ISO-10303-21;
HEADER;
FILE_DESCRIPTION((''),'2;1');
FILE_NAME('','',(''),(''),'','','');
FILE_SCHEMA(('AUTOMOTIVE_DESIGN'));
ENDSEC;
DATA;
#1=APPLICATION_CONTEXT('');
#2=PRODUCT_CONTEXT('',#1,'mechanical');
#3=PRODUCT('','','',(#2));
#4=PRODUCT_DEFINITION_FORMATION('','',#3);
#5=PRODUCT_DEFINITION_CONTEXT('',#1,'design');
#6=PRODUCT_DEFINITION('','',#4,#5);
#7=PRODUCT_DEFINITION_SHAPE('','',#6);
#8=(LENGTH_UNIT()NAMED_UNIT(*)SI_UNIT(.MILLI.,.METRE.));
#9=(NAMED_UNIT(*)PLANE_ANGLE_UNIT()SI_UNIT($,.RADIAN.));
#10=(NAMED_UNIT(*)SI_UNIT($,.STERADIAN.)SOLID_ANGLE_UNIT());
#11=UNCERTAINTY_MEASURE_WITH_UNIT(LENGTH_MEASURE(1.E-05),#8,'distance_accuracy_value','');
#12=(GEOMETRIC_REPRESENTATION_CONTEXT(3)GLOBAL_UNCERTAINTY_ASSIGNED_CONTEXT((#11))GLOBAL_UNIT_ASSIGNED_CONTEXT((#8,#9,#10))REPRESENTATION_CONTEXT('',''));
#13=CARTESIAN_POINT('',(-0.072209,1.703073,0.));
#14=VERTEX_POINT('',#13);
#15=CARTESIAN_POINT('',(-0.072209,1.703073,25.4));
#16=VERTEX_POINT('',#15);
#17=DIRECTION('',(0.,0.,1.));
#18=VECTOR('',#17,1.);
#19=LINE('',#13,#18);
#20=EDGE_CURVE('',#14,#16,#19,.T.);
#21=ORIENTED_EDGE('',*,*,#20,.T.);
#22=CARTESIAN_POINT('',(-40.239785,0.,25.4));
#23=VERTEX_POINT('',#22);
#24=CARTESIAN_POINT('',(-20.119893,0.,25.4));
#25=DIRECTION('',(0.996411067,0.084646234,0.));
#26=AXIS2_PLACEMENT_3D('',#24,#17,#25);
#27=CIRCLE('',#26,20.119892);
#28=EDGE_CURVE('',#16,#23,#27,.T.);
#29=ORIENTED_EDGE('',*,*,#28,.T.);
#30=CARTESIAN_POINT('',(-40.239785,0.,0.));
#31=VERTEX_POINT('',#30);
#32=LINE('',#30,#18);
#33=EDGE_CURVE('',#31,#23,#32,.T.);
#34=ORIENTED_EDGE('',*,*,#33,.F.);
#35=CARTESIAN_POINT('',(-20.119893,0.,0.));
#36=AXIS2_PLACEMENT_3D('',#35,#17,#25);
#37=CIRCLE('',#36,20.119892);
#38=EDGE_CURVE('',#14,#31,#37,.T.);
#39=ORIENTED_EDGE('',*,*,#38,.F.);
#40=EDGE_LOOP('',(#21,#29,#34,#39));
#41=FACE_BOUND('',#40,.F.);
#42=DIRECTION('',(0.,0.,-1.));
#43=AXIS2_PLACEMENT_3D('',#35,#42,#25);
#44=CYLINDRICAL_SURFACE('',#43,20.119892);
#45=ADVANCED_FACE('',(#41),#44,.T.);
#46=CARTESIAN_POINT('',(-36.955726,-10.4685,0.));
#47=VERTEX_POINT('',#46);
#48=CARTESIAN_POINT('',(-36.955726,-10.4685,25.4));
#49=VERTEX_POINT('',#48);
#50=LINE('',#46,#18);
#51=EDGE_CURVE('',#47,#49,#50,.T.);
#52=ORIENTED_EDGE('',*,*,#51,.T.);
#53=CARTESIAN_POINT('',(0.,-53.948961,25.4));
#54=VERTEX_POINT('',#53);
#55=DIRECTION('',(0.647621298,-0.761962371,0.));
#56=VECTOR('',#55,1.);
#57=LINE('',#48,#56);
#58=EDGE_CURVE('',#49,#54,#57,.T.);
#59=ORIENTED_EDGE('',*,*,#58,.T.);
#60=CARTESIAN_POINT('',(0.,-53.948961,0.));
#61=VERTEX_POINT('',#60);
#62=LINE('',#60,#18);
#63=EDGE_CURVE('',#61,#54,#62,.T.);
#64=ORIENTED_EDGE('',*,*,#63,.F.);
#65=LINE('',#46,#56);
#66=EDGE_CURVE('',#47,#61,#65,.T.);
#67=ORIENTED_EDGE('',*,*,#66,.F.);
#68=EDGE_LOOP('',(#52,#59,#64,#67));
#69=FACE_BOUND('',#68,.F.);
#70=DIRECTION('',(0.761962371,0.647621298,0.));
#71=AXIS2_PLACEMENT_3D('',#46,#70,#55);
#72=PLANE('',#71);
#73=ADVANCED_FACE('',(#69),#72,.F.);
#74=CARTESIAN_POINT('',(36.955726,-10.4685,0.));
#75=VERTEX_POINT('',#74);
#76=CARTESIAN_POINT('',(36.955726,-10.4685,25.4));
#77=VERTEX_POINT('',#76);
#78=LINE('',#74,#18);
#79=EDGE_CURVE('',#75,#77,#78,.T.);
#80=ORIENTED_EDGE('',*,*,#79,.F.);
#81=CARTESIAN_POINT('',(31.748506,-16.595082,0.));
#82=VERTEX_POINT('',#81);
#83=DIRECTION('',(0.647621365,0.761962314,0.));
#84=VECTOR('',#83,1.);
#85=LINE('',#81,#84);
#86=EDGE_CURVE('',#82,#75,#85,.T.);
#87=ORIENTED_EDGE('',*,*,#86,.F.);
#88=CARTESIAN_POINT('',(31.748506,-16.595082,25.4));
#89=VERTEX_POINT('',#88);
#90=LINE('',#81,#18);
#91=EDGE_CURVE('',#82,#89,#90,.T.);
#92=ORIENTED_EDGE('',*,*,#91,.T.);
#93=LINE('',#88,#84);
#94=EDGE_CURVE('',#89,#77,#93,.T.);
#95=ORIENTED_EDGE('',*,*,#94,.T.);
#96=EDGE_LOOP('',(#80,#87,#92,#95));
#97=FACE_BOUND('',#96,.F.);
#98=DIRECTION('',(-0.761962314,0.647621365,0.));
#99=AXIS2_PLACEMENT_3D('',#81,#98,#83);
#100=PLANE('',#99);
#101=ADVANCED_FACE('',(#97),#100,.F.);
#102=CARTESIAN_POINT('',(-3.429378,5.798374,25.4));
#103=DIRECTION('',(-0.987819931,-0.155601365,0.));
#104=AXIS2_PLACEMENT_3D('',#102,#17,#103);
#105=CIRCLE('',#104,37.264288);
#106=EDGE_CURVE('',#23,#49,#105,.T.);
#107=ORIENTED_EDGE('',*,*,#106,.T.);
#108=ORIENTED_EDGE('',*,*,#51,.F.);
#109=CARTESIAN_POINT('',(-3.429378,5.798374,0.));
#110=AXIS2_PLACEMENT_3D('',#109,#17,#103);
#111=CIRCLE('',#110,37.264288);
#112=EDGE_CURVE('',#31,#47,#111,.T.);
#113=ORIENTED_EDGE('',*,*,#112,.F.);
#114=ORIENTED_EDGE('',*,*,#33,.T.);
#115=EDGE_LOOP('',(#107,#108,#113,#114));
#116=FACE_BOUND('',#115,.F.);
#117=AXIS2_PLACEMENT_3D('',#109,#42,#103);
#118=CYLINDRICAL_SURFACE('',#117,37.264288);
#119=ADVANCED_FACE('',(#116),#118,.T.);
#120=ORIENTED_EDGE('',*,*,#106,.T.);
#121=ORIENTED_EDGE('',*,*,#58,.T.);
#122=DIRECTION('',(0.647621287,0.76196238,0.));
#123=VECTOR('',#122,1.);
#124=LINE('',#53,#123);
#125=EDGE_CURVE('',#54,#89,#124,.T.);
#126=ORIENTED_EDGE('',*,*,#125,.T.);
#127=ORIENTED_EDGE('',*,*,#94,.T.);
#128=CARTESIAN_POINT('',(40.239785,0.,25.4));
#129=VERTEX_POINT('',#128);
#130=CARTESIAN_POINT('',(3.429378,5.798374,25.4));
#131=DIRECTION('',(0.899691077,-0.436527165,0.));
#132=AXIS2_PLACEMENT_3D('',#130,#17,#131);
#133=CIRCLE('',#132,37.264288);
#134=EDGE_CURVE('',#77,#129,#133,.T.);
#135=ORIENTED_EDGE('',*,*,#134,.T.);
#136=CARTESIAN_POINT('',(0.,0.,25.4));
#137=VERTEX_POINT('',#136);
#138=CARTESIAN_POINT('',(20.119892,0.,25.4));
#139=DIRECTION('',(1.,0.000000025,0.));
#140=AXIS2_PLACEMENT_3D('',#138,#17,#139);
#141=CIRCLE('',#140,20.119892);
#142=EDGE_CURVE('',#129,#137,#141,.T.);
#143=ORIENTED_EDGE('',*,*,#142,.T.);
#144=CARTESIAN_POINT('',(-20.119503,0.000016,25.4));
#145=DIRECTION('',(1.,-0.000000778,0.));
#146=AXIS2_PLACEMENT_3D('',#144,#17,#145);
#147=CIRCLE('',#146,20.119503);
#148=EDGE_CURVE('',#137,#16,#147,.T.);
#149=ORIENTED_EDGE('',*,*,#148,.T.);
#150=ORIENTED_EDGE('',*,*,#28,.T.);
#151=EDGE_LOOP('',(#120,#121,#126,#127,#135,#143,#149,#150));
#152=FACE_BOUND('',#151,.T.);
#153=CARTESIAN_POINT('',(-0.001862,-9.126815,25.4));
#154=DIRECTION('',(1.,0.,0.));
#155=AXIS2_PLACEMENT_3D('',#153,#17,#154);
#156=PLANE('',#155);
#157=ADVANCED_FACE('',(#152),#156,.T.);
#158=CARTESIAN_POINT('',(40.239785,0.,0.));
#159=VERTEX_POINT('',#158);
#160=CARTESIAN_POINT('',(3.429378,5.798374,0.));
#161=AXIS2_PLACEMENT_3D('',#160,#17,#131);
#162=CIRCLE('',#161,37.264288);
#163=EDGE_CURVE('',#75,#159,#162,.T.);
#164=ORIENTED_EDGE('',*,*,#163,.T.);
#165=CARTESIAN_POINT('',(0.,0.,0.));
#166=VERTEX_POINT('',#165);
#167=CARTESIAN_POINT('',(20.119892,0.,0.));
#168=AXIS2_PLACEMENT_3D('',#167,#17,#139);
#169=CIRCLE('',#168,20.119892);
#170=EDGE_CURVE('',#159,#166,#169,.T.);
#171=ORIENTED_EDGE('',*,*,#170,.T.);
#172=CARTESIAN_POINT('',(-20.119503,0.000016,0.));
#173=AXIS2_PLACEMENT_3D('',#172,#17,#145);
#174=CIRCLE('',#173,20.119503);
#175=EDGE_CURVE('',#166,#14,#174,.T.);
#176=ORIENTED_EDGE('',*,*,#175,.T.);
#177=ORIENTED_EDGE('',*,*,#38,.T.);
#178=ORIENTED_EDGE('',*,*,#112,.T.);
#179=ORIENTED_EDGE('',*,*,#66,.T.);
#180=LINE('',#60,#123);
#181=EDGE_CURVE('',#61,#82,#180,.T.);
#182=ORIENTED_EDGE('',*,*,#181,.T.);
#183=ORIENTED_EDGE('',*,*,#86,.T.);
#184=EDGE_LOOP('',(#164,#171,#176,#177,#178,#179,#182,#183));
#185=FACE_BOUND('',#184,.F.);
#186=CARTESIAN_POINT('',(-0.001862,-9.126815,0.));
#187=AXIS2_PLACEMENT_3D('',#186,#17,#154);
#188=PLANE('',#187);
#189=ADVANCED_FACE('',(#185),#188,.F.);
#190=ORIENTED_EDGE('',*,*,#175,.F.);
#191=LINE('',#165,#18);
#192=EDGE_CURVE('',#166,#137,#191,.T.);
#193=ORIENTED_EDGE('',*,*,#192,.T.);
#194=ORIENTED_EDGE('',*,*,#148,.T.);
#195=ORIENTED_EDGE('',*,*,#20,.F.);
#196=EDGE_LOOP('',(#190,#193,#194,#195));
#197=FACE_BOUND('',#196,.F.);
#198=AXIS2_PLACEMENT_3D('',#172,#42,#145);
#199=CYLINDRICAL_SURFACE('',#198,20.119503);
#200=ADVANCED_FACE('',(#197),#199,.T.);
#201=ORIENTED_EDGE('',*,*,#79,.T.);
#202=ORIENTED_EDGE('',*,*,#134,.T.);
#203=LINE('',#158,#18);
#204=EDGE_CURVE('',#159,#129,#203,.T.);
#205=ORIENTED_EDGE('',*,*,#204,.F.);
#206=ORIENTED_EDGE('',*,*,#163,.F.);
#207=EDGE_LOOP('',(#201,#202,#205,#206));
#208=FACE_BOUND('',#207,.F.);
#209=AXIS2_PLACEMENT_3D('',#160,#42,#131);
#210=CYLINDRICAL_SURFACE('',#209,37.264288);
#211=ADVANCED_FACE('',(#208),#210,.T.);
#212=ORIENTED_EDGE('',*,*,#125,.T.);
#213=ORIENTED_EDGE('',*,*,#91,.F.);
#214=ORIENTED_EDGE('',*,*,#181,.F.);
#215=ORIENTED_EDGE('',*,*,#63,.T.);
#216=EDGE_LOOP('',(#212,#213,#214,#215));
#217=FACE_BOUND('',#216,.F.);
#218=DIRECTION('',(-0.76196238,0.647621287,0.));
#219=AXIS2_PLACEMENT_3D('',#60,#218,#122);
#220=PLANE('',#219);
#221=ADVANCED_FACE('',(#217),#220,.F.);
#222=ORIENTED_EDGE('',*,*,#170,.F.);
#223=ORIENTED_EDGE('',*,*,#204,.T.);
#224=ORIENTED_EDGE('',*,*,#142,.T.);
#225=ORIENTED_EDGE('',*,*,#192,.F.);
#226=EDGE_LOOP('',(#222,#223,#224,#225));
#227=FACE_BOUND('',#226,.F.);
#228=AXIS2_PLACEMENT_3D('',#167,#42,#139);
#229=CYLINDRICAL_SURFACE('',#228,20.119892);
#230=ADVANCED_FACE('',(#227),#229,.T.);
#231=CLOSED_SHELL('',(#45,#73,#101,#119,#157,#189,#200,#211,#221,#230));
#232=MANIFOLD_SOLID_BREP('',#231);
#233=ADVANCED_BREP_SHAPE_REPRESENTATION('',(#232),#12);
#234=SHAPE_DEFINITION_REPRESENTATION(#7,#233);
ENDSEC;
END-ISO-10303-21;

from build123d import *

# Parameters (mm, degrees)
F1_DEPTH = 25.4


with BuildPart() as f1:
    # F0 (on Top) → F1 (new body)
    with BuildSketch(Plane.XY):
        with BuildLine():
            ThreePointArc((40.239785, 0), (20.119892, 20.119892), (0, 0))
            Line((0, 0), (0, -2.410672))
            ThreePointArc((0, -2.410672), (-0.140782, -0.355637), (-0.072209, 1.703073))
            ThreePointArc((-0.072209, 1.703073), (-20.972194, 20.101832), (-40.239785, 0))
            ThreePointArc((-40.239785, 0), (-38.985139, -5.355776), (-36.955726, -10.4685))
            Line((-36.955726, -10.4685), (0, -53.948961))
            Line((0, -53.948961), (31.748506, -16.595082))
            Line((31.748506, -16.595082), (36.955726, -10.4685))
            ThreePointArc((36.955726, -10.4685), (38.985139, -5.355776), (40.239785, 0))
        make_face()
        with BuildLine():
            Line((0, -2.410672), (0, 0))
            ThreePointArc((0, 0), (-0.01806, 0.852301), (-0.072209, 1.703073))
            ThreePointArc((-0.072209, 1.703073), (-0.140782, -0.355637), (0, -2.410672))
        make_face()
    extrude(amount=F1_DEPTH)


solid = f1.part
